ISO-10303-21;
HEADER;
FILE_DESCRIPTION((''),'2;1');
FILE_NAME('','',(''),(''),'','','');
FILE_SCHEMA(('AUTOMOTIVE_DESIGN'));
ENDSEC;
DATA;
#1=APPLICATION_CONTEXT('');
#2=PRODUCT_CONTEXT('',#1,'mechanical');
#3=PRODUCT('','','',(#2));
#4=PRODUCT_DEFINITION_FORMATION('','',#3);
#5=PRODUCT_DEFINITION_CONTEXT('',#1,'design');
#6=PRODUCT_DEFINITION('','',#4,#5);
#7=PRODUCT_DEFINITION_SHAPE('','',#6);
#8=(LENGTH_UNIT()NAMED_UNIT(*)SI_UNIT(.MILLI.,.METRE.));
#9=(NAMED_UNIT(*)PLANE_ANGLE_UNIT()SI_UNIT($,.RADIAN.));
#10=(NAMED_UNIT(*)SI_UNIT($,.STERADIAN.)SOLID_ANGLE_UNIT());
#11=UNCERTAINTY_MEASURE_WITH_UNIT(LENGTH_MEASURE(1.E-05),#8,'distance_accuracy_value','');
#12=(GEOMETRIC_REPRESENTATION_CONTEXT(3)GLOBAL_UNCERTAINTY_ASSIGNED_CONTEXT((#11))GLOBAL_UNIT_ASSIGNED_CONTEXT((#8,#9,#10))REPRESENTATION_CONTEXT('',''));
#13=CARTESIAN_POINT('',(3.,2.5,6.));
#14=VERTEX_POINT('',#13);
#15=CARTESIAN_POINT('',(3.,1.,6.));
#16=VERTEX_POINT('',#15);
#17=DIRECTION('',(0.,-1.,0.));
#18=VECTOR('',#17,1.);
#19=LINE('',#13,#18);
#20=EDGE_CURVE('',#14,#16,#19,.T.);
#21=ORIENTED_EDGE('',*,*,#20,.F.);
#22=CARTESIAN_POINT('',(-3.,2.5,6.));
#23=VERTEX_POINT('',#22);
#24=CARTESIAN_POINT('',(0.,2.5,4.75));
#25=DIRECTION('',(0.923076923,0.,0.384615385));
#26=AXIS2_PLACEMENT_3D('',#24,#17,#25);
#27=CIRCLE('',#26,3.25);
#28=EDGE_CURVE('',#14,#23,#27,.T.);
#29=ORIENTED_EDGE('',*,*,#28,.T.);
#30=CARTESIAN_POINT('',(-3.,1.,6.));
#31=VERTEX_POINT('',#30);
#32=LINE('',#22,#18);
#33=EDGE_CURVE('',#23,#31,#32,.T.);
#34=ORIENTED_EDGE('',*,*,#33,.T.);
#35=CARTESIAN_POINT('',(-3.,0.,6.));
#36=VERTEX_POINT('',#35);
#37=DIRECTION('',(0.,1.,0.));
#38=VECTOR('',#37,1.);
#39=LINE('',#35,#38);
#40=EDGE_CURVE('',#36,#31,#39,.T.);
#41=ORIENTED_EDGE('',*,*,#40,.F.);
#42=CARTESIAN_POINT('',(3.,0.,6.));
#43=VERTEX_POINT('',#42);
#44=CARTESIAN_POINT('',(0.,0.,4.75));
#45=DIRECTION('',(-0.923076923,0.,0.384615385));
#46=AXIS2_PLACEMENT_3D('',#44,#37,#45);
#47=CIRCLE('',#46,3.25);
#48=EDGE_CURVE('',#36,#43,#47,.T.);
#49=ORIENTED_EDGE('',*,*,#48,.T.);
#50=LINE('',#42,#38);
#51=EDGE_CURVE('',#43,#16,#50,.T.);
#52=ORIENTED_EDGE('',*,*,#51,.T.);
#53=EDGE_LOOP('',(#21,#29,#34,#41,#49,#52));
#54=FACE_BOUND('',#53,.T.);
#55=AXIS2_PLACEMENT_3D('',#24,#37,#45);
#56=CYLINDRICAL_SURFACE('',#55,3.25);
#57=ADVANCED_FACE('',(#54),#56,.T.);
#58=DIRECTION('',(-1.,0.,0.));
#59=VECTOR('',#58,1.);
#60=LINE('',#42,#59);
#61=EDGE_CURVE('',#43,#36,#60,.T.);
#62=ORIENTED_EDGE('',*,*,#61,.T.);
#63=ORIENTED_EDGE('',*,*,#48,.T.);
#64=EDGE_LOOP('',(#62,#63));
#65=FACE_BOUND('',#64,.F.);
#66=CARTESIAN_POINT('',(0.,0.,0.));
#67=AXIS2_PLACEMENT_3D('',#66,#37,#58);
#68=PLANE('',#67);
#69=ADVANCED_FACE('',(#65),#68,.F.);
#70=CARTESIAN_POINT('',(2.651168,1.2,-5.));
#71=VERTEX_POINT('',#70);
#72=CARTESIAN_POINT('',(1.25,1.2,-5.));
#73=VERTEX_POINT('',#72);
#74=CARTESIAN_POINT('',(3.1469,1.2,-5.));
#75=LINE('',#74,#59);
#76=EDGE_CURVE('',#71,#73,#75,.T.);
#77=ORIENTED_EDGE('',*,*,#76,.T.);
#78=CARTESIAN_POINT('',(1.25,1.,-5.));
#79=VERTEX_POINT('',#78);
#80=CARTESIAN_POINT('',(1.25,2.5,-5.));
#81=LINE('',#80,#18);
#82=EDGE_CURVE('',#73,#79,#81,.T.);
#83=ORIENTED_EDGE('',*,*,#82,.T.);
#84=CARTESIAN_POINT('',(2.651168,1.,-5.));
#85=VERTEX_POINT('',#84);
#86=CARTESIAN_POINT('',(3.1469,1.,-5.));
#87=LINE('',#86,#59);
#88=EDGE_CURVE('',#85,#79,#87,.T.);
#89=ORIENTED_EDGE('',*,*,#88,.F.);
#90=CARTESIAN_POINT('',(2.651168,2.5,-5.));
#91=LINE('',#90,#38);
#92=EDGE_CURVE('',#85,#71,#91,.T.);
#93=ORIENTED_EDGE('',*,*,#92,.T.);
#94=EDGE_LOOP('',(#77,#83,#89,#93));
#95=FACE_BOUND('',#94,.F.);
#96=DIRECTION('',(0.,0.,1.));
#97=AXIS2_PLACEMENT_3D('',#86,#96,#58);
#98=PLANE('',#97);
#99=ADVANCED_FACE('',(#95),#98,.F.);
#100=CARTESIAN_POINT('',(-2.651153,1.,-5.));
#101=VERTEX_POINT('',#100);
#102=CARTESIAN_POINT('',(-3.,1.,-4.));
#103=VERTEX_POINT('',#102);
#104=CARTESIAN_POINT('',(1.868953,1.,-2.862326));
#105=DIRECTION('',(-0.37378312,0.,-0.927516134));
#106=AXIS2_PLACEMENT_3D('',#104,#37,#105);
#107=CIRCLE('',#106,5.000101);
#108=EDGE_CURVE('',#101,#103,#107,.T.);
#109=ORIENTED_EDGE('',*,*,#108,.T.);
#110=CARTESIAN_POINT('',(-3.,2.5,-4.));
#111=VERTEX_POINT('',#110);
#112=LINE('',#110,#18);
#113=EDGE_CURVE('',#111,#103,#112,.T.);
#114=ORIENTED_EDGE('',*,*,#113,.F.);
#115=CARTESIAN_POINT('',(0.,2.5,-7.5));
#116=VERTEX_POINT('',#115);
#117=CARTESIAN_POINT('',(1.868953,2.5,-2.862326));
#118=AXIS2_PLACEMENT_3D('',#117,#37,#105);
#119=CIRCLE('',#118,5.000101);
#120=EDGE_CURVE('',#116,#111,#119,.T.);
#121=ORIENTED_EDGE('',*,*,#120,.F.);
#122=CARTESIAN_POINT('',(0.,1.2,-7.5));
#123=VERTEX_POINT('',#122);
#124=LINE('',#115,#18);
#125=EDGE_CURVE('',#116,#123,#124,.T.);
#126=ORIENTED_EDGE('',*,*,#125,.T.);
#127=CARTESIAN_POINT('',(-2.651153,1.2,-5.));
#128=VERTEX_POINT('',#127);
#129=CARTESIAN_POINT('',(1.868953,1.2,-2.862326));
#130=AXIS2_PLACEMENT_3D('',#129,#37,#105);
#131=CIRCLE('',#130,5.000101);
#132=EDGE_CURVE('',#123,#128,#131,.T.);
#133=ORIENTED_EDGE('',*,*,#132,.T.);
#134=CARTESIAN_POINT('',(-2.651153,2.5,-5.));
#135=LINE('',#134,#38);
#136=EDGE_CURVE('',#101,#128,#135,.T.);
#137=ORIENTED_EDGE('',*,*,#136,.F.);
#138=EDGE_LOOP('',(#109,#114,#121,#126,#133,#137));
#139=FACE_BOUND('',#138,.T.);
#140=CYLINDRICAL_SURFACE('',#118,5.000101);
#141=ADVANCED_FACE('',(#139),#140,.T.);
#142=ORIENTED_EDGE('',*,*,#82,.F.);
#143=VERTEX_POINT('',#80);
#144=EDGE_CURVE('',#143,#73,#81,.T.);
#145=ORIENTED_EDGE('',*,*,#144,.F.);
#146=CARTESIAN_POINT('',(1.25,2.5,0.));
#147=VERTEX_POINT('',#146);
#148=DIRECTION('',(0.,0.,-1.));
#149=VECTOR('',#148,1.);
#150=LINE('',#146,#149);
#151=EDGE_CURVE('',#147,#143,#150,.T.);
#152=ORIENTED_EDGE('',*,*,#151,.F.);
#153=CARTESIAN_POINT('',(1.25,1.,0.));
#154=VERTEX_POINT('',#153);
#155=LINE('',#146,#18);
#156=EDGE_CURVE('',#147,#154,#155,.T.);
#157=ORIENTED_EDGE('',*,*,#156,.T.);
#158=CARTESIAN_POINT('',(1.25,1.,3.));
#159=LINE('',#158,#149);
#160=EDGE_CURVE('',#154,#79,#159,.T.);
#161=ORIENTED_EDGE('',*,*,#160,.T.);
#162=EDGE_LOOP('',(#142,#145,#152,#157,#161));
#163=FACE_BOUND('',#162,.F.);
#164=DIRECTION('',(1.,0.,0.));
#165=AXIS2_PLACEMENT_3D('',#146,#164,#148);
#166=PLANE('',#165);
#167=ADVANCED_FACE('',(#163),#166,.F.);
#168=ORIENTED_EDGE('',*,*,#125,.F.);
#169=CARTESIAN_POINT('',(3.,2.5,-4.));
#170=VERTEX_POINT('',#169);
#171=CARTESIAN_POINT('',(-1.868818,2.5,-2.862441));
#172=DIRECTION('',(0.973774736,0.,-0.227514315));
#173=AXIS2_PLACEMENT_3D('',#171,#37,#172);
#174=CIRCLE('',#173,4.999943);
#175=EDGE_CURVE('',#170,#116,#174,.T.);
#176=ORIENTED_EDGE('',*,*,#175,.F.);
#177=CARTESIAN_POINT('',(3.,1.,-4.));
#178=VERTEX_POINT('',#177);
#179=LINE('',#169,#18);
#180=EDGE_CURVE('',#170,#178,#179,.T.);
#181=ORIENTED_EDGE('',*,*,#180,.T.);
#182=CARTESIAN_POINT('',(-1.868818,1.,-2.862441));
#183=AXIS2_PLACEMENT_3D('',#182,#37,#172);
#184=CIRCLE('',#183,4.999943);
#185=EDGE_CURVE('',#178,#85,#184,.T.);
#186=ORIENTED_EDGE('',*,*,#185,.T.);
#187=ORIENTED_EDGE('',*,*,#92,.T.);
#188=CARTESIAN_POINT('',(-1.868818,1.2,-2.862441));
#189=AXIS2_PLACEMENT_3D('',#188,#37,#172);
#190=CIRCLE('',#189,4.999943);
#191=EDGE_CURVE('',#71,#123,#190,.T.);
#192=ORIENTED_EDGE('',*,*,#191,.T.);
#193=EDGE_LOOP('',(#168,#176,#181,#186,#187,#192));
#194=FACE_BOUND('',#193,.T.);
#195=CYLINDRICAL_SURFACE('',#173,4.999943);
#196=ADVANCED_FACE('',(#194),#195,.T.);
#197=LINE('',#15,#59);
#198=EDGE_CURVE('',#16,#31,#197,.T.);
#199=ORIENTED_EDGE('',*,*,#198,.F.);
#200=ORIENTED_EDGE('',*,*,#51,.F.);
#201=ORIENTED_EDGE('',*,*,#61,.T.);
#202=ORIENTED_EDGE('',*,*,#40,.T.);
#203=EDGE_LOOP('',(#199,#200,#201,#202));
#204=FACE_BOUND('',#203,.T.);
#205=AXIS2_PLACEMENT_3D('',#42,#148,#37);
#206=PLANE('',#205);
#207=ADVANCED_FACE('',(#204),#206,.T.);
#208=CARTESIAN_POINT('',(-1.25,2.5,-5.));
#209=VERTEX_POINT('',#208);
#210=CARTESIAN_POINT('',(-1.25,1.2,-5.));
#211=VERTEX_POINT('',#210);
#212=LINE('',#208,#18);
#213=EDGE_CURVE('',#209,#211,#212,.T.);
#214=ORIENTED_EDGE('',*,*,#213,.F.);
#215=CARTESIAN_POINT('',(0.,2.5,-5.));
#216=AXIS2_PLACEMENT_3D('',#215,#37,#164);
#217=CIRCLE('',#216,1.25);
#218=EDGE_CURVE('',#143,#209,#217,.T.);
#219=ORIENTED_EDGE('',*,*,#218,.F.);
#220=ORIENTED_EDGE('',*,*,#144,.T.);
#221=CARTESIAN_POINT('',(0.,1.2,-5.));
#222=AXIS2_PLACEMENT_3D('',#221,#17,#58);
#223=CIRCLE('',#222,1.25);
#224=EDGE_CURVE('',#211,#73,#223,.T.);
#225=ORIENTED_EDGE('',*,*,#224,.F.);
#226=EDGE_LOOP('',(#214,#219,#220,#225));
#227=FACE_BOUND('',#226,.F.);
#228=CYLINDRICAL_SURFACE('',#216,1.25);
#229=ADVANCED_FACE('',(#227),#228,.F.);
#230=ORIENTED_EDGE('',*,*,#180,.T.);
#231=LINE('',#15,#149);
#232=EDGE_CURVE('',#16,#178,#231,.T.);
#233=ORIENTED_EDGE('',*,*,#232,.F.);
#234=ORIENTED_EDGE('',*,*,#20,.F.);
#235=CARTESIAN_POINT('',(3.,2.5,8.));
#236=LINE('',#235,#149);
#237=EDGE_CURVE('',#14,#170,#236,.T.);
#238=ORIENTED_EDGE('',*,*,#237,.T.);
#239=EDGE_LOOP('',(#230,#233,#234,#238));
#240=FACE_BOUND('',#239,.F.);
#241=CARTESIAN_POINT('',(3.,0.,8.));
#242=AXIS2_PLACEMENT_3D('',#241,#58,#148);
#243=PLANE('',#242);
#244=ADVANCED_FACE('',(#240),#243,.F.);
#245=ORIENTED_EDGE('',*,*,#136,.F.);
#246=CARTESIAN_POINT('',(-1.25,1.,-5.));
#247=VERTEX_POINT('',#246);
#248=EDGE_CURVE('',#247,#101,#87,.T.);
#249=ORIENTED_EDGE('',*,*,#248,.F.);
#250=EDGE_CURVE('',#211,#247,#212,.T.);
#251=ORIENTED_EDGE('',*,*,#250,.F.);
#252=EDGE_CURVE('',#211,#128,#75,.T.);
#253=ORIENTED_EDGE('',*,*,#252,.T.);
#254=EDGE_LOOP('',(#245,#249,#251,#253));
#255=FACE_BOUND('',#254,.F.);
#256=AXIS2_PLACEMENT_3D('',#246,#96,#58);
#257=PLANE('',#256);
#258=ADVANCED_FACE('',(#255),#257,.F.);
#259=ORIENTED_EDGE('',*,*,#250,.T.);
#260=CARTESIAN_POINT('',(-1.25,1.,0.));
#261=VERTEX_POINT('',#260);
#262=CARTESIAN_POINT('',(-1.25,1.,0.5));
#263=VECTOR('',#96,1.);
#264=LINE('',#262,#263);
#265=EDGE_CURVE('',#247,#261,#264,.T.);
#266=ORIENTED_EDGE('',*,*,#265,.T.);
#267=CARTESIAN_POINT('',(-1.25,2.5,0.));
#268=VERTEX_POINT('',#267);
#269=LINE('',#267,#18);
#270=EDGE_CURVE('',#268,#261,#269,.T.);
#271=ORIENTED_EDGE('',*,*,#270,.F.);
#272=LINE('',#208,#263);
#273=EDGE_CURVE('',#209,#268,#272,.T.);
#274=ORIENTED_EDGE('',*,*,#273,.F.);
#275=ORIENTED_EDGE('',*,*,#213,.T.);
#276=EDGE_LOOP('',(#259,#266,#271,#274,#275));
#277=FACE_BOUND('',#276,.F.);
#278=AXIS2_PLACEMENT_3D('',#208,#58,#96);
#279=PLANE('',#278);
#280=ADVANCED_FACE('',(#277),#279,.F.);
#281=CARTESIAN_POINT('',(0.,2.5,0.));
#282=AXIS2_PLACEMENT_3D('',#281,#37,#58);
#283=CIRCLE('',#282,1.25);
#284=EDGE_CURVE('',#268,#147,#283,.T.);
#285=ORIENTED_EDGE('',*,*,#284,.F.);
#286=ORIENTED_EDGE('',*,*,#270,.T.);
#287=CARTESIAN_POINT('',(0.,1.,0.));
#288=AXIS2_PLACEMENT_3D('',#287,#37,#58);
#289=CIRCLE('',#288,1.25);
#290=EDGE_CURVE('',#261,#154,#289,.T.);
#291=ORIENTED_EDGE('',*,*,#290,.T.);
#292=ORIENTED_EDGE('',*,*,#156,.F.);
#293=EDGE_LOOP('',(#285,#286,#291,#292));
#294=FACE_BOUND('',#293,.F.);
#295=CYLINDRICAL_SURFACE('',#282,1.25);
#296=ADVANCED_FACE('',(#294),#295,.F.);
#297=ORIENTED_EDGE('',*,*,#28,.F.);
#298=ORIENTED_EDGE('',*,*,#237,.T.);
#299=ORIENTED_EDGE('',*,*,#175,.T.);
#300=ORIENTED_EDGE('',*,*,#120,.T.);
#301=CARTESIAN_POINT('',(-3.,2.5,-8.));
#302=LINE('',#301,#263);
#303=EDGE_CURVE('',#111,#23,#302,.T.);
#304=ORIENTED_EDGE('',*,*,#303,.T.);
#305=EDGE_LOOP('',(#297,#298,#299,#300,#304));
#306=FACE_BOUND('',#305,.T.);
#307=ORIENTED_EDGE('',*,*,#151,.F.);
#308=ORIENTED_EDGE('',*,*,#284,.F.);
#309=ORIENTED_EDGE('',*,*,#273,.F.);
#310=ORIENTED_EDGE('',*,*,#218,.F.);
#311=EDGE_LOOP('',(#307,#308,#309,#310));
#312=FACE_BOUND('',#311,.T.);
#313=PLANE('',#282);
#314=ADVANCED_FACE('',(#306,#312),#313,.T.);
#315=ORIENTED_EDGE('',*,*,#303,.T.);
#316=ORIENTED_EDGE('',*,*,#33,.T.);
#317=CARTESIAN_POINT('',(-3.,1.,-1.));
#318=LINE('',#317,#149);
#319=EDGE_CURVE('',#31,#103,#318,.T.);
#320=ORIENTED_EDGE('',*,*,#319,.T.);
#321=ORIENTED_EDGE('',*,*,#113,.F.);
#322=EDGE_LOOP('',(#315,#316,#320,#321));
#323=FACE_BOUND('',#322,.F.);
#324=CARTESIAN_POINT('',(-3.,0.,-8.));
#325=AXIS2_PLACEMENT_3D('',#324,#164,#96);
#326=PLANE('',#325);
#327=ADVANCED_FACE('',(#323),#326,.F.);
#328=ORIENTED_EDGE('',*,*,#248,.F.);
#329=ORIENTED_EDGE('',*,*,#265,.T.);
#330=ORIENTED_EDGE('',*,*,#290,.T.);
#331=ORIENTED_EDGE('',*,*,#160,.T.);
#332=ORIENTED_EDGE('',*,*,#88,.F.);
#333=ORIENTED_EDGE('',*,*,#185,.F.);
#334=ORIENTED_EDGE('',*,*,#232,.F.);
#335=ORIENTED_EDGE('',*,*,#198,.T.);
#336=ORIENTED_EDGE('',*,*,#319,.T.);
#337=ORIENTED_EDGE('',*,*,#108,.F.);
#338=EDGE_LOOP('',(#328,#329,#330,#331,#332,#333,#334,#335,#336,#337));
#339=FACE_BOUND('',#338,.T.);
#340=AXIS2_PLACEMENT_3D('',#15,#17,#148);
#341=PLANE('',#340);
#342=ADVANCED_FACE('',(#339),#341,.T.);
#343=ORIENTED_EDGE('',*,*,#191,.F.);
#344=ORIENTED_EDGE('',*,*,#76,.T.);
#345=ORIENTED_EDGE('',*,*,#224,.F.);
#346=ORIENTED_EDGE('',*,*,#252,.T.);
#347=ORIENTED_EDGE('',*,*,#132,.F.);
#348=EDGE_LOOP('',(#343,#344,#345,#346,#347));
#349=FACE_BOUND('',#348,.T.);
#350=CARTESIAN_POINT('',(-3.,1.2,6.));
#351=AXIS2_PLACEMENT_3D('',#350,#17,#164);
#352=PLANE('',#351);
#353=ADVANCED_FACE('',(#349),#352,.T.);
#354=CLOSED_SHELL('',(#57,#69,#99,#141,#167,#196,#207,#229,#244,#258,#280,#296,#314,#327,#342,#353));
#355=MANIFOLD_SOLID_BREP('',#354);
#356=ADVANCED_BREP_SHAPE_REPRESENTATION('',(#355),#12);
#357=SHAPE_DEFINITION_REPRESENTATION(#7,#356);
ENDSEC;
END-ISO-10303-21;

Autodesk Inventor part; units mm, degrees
ref_plane "YZ Plane" through (0, 0, 0) normal (1, 0, 0) x (0, 1, 0)
ref_plane "XZ Plane" through (0, 0, 0) normal (0, 1, 0) x (-1, 0, 0)
ref_plane "XY Plane" through (0, 0, 0) normal (0, 0, 1) x (1, 0, 0)
sketch "Sketch1" plane through (0, 0, 0) normal (0, 1, 0) x (-1, 0, 0)
  line L0 (-3, -8) -> (3, -8)
  line L1 (3, -8) -> (3, 8)
  line L2 (3, 8) -> (-3, 8)
  line L3 (-3, 8) -> (-3, -8)
  line L4 (-3, -8) -> (3, 8) construction
  line L5 (3, -8) -> (-3, 8) construction
  point P0 (0, 0)
  dimension "d0" = 16
  dimension "d1" = 6
extrude "Extrusion1" add sketch "Sketch1" along normal blind 2.5
sketch "Sketch2" plane through (0, 2.5, 0) normal (0, 1, 0) x (1, 0, 0)
  line L0 (0, 5) -> (0, 0) construction
  line L1 (-1.25, 5) -> (-1.25, 0)
  line L2 (1.25, 0) -> (1.25, 5)
  arc A0 (1.25, 5) -> (-1.25, 5) centre (0, 5) ccw
  arc A1 (-1.25, 0) -> (1.25, 0) centre (0, 0) ccw
  line L3 (-3, -8) -> (3, -8) projected
  line L4 (-3, 8) -> (-3, -8) projected
  line L5 (-3, -8) -> (3, -8) projected
  line L6 (3, -8) -> (3, 8) projected
  line L7 (3, 8) -> (-3, 8) projected
  point P0 (0, 2.5)
  point P1 (0, 2.5)
  dimension "d4" = 2.5
  dimension "d6" = 8
  dimension "d7" = 6
  dimension "d8" = 3
  dimension "d9" = 5
extrude "Extrusion2" cut sketch "Sketch2" against normal through all contours A0 L2 A1 L1
sketch "Sketch3" plane through (3, 0, 8) normal (1, 0, 0) x (0, 0, -1)
  line L0 (16, 0) -> (0, 0) projected
  line L1 (16, 0) -> (2, 0)
  line L2 (2, 0) -> (2, 1)
  line L3 (2, 1) -> (16, 1)
  line L4 (16, 1) -> (16, 0)
  line L5 (0, 0) -> (0, 2.5) projected
  line L6 (0, 2.5) -> (16, 2.5) projected
  point P0 (8, 0)
  point P1 (2, 0)
  dimension "d12" = 2
  dimension "d13" = 1.5
extrude "Extrusion3" cut sketch "Sketch3" against normal through all
sketch "Sketch4" plane through (0, 2.5, 0) normal (0, 1, 0) x (1, 0, 0)
  line L0 (-3, 8) -> (-3, -8) projected
  line L1 (3, -8) -> (3, 8) projected
  arc A0 (-3, -6) -> (3, -6) centre (0, -4.75) ccw
  line L2 (-3, -8) -> (3, -8) projected
  point P0 (0, 0)
  point P1 (-2, 6)
  point P2 (2, 6)
  point P3 (3, 8)
  point P4 (0, -8)
  point P5 (-2.2361, -8)
  dimension "d17" = 2
extrude "Extrusion4" cut sketch "Sketch4" against normal through all
sketch "Sketch5" plane through (0, 2.5, 0) normal (0, 1, 0) x (1, 0, 0)
  line L0 (3, -6) -> (3, 8) projected
  line L1 (3, 8) -> (-3, 8) projected
  line L2 (-3, 8) -> (-3, -6) projected
  arc A0 (1.25, 5) -> (-1.25, 5) centre (0, 5) ccw projected
  arc A1 (3, 4) -> (0, 7.5) centre (-1.8689, 2.8624) ccw
  arc A2 (0, 7.5) -> (-3, 4) centre (1.8689, 2.8624) ccw
  point P0 (0, 0)
  point P1 (-3, 6.2041)
  point P2 (0, 6.25)
  point P3 (0, 6.25)
  dimension "d23" = 5
  dimension "d24" = 4
  dimension "d25" = 0.5
extrude "Extrusion5" cut sketch "Sketch5" against normal through all
sketch "Sketch6" plane through (-3, 1, 6) normal (0, -1, 0) x (1, 0, 0)
  line L0 (6.1469, -11) -> (-0.0299, -11)
  line L1 (-0.0299, -11) -> (-0.0299, -13.5)
  line L2 (-0.0299, -13.5) -> (6.1469, -13.5)
  line L3 (6.1469, -13.5) -> (6.1469, -11)
  arc A0 (1.75, -11) -> (4.25, -11) centre (3, -11) ccw projected
  point P0 (3, -6)
  point P1 (3, -13.5)
  point P2 (1.75, -11)
extrude "Extrusion6" cut sketch "Sketch6" against normal blind 0.2 contours L3 L2 L1 L0 A0
equation "\"d8\" = 0.5 * d7"
properties part number "Carrier Tab"
